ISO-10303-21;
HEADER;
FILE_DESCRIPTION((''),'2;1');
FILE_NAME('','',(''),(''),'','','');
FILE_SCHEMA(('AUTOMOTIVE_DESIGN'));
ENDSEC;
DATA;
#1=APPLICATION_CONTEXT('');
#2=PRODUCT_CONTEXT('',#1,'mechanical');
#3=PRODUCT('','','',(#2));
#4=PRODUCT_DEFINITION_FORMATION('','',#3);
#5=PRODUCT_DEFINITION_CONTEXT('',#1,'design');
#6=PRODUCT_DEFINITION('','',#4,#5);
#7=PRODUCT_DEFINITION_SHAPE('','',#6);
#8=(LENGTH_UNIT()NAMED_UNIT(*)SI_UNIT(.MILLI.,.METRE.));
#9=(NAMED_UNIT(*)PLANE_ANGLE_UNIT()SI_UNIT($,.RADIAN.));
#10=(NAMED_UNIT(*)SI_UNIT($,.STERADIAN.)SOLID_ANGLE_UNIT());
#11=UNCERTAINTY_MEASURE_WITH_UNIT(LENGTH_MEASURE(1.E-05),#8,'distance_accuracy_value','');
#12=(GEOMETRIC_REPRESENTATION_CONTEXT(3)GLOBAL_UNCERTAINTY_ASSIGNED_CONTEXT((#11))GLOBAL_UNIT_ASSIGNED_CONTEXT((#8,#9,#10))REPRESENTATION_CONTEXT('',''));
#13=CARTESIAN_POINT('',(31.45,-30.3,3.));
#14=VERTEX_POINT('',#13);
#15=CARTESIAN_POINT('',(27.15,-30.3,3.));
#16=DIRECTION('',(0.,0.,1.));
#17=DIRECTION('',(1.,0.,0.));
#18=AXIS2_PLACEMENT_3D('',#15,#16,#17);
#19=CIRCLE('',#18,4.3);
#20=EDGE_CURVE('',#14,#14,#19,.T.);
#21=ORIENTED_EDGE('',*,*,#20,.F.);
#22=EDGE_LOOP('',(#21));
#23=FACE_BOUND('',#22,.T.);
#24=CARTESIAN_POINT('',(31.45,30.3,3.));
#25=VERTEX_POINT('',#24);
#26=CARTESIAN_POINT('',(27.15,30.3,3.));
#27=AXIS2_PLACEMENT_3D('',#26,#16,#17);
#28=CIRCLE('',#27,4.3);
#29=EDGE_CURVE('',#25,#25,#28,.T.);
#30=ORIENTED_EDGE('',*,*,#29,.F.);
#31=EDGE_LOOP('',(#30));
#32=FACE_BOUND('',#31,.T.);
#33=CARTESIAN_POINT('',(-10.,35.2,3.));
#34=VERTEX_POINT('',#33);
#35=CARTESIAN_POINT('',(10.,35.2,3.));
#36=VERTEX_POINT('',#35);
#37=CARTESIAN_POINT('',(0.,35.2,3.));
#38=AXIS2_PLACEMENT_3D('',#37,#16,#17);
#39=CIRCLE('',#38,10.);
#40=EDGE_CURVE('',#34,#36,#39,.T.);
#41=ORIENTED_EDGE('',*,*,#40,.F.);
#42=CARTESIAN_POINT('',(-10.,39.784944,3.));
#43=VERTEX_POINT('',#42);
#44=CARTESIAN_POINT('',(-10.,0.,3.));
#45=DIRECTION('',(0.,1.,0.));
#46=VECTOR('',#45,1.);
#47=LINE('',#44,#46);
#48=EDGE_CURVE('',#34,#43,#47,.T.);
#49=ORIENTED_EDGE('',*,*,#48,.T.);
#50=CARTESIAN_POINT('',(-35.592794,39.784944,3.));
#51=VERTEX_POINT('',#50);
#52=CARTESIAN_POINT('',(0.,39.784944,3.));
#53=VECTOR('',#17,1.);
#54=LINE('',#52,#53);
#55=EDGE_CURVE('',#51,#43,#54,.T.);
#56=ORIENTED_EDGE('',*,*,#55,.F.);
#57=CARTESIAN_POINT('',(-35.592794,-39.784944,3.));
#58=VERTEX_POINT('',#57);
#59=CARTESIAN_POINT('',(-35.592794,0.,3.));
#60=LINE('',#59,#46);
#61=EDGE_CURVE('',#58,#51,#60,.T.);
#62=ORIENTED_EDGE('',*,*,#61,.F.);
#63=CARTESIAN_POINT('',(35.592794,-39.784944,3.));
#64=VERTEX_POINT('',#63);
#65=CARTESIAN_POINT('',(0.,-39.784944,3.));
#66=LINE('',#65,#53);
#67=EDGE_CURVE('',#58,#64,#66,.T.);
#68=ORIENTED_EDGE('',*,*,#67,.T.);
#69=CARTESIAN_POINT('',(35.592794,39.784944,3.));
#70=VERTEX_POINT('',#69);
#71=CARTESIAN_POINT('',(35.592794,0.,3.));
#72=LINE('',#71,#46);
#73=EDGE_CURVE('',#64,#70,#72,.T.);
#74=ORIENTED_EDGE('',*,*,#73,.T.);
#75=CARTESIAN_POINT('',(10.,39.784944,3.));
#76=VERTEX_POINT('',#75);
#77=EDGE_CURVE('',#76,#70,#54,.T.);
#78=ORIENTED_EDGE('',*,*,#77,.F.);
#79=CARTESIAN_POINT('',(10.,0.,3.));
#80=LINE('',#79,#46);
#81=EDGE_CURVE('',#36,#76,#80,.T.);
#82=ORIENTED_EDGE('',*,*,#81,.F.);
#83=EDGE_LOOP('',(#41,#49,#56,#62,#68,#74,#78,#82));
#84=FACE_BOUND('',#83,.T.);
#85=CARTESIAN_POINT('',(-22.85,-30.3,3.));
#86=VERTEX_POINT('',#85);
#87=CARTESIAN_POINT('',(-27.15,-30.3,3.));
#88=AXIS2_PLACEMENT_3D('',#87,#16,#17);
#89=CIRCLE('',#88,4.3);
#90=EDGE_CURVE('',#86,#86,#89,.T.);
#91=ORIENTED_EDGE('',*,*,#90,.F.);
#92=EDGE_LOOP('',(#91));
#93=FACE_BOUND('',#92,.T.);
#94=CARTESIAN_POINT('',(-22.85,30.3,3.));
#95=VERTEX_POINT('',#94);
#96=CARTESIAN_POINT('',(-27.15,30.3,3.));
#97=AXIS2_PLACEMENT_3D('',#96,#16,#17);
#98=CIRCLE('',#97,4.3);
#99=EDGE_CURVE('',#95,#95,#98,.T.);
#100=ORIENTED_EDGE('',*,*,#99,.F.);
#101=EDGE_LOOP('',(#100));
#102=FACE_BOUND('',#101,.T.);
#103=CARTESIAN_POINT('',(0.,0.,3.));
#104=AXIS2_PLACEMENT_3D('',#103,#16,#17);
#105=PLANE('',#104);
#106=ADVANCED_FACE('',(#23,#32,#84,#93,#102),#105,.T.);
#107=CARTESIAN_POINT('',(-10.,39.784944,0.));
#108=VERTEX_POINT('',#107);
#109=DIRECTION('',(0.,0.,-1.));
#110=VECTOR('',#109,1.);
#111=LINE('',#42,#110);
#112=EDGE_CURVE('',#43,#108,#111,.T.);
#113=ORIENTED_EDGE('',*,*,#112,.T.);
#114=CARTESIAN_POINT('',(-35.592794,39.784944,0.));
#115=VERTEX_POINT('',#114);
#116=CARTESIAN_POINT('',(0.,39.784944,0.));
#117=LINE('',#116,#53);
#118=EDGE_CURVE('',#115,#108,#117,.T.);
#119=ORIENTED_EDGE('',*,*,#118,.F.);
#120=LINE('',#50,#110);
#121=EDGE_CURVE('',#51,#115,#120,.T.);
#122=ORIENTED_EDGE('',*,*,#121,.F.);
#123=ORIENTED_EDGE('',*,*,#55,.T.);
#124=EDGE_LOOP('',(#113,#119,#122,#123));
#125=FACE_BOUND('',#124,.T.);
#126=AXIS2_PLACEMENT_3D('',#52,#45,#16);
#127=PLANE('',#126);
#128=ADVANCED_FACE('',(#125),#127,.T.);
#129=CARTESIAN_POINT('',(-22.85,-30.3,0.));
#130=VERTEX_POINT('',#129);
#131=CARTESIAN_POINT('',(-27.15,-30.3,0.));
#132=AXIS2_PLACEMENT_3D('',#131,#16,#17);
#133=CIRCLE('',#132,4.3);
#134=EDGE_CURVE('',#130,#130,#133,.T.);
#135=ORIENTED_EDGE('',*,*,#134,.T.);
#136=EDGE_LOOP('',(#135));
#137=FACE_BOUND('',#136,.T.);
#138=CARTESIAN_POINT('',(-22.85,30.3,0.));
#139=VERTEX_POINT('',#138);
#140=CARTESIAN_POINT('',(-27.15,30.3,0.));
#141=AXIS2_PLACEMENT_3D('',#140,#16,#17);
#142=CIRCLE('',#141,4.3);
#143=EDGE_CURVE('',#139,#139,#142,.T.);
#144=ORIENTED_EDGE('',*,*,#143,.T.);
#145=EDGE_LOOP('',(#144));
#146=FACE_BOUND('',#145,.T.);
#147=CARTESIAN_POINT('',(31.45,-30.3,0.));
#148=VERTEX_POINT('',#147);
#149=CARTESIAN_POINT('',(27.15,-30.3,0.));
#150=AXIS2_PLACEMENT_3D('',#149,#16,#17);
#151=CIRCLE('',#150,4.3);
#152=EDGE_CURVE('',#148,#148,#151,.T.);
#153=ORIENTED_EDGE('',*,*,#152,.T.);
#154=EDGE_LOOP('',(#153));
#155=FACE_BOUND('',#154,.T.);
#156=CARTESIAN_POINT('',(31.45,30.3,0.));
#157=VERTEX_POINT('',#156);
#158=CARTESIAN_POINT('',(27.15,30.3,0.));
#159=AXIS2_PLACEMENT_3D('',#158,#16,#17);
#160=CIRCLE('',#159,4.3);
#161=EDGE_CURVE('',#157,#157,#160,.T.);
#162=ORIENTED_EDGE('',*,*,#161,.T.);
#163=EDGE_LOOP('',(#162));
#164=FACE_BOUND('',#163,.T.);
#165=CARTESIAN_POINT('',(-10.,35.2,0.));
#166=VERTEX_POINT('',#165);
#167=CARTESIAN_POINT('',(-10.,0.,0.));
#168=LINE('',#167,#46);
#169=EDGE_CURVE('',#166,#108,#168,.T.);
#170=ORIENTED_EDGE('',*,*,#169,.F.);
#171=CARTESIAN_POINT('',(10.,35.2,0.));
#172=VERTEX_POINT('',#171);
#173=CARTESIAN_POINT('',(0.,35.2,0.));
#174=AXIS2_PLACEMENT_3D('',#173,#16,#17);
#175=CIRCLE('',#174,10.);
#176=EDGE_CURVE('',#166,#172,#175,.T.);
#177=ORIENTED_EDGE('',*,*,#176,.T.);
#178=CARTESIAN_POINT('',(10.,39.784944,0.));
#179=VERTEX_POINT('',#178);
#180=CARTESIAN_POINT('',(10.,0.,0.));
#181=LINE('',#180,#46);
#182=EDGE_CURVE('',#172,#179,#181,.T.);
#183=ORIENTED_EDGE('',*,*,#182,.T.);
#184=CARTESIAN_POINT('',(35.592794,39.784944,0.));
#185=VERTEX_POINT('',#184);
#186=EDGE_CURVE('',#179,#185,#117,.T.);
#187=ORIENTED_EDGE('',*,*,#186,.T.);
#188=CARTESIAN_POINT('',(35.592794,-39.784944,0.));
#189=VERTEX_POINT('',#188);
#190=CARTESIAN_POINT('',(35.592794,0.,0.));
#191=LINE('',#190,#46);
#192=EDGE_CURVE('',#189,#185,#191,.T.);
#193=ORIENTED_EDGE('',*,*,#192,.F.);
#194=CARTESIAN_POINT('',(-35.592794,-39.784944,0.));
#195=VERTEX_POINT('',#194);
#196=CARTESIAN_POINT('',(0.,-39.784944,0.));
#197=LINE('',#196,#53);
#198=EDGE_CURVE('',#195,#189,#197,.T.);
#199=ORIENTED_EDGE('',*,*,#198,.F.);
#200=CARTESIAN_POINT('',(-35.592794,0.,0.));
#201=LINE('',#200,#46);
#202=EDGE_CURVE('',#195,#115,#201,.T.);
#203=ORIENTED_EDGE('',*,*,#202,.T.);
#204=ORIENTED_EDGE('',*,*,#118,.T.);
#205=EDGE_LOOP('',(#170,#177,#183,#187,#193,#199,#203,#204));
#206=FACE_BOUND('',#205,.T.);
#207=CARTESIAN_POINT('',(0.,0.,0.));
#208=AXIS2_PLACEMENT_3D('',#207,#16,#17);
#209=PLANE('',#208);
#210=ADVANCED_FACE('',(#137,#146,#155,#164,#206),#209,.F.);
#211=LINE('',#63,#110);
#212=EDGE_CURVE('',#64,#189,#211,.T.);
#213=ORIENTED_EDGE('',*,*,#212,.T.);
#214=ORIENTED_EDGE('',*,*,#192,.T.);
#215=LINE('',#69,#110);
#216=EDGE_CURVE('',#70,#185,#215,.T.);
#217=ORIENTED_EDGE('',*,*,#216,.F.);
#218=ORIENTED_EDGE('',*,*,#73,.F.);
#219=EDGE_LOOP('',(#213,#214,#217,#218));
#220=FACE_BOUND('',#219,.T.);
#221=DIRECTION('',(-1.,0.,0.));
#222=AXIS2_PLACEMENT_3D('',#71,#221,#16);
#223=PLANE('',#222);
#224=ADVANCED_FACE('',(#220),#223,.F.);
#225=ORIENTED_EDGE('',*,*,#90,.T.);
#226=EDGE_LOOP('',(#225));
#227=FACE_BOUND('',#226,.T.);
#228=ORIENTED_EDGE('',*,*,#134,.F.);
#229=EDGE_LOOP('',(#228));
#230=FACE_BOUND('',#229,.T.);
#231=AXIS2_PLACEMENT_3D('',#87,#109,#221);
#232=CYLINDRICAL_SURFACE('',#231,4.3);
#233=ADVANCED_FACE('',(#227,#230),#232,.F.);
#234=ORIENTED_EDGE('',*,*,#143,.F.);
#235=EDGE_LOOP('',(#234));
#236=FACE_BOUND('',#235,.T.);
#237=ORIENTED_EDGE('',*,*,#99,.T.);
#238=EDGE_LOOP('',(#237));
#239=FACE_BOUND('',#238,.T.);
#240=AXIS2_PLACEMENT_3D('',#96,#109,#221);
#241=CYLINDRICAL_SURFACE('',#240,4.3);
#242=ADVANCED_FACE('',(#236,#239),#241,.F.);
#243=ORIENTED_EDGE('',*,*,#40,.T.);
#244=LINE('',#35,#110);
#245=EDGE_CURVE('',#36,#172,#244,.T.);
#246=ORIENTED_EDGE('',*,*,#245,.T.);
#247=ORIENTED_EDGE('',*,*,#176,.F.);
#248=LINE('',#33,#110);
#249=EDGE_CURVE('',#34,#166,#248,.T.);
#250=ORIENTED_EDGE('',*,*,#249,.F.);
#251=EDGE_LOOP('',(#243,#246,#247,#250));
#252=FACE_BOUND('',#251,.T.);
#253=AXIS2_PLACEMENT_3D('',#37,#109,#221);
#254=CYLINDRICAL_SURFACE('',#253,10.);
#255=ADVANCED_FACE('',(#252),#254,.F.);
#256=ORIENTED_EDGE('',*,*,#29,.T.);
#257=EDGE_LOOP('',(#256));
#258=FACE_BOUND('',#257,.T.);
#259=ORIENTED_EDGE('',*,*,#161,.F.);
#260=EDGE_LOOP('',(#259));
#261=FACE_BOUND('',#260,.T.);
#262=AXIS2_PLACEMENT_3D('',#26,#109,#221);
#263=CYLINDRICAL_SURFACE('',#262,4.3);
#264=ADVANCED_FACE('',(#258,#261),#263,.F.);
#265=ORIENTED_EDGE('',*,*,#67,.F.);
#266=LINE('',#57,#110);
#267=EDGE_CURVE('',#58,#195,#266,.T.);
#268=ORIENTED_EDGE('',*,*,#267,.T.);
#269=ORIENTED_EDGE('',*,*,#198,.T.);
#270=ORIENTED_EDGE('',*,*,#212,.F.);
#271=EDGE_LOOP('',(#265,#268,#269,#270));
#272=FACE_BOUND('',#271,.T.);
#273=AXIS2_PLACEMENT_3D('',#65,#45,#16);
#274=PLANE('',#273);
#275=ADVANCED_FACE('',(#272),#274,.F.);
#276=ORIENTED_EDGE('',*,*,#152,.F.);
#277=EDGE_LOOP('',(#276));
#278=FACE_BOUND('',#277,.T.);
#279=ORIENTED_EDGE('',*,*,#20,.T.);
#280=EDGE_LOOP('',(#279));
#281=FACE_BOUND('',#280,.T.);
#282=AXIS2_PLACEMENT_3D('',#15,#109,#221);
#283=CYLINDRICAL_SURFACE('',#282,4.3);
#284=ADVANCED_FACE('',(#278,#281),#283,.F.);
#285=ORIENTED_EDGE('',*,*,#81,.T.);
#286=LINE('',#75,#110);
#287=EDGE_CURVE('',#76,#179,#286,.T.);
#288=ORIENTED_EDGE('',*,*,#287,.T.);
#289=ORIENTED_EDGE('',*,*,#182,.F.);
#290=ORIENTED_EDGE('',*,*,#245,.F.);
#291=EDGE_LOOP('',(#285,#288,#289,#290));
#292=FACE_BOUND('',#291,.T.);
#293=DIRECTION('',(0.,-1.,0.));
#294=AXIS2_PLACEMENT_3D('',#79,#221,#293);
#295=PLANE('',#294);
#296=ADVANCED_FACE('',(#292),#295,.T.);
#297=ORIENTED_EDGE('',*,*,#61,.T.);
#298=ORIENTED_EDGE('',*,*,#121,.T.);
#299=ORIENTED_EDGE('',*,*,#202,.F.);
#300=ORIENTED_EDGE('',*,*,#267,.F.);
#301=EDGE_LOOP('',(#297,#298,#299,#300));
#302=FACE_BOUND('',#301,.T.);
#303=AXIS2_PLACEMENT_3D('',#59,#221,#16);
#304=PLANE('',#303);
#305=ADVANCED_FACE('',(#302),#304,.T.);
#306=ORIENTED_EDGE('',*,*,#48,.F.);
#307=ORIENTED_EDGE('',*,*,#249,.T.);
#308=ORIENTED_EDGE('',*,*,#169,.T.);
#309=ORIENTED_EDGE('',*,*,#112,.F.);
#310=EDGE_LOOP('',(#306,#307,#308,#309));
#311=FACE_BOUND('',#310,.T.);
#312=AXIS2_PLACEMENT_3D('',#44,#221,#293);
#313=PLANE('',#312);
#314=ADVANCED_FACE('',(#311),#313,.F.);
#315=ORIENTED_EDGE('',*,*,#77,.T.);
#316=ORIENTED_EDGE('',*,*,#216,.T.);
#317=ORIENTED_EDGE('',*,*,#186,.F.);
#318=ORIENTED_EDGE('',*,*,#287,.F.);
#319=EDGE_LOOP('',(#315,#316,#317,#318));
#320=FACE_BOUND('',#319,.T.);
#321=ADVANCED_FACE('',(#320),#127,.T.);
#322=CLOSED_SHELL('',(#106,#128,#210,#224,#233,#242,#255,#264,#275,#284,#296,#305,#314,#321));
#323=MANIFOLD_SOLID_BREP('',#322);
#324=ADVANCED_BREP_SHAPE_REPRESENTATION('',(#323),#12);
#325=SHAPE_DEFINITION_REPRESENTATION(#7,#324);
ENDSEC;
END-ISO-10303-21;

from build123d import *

# Parameters (mm, degrees)
SKETCH1_R           = 4.3
BOSS_EXTRUDE1_DEPTH = 3


with BuildPart() as part:
    # Sketch1 → Boss-Extrude1 (new body)
    with BuildSketch(Plane.XY):
        with BuildLine():
            Line((-35.59279418, 39.784944199), (-35.59279418, -39.784944199))
            Line((-35.59279418, -39.784944199), (35.59279418, -39.784944199))
            Line((35.59279418, -39.784944199), (35.59279418, 39.784944199))
            Line((35.59279418, 39.784944199), (10, 39.784944199))
            Line((10, 39.784944199), (10, 35.2))
            ThreePointArc((10, 35.2), (0, 25.2), (-10, 35.2))
            Line((-10, 35.2), (-10, 39.784944199))
            Line((-10, 39.784944199), (-35.59279418, 39.784944199))
        make_face()
        with Locations((-27.15, -30.3)):
            Circle(SKETCH1_R, mode=Mode.SUBTRACT)
        with Locations((27.15, -30.3)):
            Circle(SKETCH1_R, mode=Mode.SUBTRACT)
        with Locations((-27.15, 30.3)):
            Circle(SKETCH1_R, mode=Mode.SUBTRACT)
        with Locations((27.15, 30.3)):
            Circle(SKETCH1_R, mode=Mode.SUBTRACT)
    extrude(amount=BOSS_EXTRUDE1_DEPTH)


solid = part.part
